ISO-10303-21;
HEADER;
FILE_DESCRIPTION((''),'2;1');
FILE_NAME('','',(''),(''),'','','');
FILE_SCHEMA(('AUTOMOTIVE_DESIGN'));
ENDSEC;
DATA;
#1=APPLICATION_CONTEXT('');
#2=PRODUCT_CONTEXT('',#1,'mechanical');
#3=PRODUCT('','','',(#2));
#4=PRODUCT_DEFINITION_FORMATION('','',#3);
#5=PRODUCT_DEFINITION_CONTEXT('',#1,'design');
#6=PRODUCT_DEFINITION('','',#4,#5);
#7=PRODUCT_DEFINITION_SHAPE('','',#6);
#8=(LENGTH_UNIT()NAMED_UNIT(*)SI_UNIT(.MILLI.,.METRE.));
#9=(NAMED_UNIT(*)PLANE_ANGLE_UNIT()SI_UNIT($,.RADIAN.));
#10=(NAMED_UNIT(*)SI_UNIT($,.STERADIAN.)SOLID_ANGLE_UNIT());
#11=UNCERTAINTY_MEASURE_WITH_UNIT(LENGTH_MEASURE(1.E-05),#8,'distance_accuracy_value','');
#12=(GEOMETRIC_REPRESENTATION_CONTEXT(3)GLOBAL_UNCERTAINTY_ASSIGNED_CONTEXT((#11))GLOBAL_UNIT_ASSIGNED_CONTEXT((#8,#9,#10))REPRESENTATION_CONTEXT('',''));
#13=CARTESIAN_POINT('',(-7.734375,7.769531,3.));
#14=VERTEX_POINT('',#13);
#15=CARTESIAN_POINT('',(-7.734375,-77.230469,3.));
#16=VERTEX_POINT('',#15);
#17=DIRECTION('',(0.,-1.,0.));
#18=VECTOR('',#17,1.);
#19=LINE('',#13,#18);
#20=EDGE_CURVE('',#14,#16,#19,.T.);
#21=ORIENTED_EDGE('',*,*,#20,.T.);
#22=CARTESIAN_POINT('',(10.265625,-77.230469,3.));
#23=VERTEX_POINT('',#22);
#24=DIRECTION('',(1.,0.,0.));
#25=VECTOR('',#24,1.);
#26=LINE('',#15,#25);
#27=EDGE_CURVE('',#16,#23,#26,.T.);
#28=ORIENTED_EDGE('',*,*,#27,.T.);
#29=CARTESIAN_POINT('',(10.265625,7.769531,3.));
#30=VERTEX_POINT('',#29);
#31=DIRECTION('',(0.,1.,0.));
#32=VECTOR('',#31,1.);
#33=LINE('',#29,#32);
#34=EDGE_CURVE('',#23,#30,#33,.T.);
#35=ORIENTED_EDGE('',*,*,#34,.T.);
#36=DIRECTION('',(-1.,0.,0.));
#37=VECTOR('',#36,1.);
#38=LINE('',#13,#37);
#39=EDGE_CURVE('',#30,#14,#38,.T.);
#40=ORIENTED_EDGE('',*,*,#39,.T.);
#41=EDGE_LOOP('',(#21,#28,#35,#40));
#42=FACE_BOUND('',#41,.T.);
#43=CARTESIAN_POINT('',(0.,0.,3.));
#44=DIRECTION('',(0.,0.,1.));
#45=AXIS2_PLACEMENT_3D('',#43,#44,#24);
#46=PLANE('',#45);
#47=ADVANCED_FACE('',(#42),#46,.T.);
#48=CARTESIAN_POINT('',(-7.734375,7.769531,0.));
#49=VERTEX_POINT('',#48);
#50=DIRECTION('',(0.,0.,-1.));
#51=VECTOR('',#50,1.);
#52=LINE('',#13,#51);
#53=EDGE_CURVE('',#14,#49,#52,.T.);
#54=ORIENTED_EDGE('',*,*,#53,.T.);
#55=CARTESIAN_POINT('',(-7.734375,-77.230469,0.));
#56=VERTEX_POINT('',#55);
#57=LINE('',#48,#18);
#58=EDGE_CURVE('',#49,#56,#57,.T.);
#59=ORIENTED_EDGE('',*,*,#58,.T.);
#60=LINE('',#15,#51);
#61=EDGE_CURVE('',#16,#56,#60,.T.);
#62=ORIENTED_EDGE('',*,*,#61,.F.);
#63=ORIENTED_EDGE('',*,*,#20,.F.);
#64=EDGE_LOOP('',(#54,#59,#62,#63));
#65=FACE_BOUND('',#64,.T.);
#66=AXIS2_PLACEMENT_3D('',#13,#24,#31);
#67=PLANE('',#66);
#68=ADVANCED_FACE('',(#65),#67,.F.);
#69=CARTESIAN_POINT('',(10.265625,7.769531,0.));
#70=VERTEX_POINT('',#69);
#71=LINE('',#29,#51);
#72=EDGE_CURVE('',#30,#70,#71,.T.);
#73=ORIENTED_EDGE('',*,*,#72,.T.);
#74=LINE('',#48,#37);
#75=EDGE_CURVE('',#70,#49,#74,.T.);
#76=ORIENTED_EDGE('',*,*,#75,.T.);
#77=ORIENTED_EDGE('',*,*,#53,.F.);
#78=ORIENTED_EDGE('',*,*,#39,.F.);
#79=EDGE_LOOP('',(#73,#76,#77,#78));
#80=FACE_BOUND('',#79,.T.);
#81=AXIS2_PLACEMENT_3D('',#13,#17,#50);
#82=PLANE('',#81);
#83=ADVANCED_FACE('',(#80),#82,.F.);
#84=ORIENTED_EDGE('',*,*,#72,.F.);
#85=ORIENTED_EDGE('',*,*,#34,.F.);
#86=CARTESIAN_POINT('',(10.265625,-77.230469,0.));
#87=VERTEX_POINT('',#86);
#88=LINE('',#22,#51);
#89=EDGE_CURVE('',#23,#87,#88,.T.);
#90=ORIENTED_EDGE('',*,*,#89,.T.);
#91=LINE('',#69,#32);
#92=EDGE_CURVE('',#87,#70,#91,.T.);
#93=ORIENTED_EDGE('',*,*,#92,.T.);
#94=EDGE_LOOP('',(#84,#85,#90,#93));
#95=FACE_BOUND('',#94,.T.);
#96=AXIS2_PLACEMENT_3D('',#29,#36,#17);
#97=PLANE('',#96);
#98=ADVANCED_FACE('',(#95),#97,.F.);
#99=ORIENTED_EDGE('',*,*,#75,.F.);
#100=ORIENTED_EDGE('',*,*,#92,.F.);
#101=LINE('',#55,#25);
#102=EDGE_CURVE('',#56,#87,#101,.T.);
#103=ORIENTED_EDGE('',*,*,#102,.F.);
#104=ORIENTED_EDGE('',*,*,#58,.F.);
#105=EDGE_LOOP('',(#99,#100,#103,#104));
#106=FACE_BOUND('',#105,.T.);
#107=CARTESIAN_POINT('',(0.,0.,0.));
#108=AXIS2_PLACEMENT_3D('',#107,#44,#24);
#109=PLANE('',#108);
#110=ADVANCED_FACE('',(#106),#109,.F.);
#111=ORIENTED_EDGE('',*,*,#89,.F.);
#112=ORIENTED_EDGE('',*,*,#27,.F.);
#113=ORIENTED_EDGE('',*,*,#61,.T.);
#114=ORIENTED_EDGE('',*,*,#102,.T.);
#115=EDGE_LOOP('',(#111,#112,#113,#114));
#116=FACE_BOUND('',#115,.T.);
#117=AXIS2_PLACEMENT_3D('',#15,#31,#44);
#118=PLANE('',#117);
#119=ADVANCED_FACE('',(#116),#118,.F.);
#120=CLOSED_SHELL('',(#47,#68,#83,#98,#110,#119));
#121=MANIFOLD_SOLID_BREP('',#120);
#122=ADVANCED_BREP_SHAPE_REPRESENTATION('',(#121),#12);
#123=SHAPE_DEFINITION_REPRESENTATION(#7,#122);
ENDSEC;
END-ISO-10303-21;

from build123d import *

# Parameters (mm, degrees)
ESBO_O1_W                = 18
ESBO_O1_H                = 85
RESSALTO_EXTRUS_O1_DEPTH = 3


with BuildPart() as part:
    # Esboço1 → Ressalto-extrusão1 (new body)
    with BuildSketch(Plane.XY):
        with Locations((1.265625, -34.73046875)):
            Rectangle(ESBO_O1_W, ESBO_O1_H)
    extrude(amount=RESSALTO_EXTRUS_O1_DEPTH)


solid = part.part
